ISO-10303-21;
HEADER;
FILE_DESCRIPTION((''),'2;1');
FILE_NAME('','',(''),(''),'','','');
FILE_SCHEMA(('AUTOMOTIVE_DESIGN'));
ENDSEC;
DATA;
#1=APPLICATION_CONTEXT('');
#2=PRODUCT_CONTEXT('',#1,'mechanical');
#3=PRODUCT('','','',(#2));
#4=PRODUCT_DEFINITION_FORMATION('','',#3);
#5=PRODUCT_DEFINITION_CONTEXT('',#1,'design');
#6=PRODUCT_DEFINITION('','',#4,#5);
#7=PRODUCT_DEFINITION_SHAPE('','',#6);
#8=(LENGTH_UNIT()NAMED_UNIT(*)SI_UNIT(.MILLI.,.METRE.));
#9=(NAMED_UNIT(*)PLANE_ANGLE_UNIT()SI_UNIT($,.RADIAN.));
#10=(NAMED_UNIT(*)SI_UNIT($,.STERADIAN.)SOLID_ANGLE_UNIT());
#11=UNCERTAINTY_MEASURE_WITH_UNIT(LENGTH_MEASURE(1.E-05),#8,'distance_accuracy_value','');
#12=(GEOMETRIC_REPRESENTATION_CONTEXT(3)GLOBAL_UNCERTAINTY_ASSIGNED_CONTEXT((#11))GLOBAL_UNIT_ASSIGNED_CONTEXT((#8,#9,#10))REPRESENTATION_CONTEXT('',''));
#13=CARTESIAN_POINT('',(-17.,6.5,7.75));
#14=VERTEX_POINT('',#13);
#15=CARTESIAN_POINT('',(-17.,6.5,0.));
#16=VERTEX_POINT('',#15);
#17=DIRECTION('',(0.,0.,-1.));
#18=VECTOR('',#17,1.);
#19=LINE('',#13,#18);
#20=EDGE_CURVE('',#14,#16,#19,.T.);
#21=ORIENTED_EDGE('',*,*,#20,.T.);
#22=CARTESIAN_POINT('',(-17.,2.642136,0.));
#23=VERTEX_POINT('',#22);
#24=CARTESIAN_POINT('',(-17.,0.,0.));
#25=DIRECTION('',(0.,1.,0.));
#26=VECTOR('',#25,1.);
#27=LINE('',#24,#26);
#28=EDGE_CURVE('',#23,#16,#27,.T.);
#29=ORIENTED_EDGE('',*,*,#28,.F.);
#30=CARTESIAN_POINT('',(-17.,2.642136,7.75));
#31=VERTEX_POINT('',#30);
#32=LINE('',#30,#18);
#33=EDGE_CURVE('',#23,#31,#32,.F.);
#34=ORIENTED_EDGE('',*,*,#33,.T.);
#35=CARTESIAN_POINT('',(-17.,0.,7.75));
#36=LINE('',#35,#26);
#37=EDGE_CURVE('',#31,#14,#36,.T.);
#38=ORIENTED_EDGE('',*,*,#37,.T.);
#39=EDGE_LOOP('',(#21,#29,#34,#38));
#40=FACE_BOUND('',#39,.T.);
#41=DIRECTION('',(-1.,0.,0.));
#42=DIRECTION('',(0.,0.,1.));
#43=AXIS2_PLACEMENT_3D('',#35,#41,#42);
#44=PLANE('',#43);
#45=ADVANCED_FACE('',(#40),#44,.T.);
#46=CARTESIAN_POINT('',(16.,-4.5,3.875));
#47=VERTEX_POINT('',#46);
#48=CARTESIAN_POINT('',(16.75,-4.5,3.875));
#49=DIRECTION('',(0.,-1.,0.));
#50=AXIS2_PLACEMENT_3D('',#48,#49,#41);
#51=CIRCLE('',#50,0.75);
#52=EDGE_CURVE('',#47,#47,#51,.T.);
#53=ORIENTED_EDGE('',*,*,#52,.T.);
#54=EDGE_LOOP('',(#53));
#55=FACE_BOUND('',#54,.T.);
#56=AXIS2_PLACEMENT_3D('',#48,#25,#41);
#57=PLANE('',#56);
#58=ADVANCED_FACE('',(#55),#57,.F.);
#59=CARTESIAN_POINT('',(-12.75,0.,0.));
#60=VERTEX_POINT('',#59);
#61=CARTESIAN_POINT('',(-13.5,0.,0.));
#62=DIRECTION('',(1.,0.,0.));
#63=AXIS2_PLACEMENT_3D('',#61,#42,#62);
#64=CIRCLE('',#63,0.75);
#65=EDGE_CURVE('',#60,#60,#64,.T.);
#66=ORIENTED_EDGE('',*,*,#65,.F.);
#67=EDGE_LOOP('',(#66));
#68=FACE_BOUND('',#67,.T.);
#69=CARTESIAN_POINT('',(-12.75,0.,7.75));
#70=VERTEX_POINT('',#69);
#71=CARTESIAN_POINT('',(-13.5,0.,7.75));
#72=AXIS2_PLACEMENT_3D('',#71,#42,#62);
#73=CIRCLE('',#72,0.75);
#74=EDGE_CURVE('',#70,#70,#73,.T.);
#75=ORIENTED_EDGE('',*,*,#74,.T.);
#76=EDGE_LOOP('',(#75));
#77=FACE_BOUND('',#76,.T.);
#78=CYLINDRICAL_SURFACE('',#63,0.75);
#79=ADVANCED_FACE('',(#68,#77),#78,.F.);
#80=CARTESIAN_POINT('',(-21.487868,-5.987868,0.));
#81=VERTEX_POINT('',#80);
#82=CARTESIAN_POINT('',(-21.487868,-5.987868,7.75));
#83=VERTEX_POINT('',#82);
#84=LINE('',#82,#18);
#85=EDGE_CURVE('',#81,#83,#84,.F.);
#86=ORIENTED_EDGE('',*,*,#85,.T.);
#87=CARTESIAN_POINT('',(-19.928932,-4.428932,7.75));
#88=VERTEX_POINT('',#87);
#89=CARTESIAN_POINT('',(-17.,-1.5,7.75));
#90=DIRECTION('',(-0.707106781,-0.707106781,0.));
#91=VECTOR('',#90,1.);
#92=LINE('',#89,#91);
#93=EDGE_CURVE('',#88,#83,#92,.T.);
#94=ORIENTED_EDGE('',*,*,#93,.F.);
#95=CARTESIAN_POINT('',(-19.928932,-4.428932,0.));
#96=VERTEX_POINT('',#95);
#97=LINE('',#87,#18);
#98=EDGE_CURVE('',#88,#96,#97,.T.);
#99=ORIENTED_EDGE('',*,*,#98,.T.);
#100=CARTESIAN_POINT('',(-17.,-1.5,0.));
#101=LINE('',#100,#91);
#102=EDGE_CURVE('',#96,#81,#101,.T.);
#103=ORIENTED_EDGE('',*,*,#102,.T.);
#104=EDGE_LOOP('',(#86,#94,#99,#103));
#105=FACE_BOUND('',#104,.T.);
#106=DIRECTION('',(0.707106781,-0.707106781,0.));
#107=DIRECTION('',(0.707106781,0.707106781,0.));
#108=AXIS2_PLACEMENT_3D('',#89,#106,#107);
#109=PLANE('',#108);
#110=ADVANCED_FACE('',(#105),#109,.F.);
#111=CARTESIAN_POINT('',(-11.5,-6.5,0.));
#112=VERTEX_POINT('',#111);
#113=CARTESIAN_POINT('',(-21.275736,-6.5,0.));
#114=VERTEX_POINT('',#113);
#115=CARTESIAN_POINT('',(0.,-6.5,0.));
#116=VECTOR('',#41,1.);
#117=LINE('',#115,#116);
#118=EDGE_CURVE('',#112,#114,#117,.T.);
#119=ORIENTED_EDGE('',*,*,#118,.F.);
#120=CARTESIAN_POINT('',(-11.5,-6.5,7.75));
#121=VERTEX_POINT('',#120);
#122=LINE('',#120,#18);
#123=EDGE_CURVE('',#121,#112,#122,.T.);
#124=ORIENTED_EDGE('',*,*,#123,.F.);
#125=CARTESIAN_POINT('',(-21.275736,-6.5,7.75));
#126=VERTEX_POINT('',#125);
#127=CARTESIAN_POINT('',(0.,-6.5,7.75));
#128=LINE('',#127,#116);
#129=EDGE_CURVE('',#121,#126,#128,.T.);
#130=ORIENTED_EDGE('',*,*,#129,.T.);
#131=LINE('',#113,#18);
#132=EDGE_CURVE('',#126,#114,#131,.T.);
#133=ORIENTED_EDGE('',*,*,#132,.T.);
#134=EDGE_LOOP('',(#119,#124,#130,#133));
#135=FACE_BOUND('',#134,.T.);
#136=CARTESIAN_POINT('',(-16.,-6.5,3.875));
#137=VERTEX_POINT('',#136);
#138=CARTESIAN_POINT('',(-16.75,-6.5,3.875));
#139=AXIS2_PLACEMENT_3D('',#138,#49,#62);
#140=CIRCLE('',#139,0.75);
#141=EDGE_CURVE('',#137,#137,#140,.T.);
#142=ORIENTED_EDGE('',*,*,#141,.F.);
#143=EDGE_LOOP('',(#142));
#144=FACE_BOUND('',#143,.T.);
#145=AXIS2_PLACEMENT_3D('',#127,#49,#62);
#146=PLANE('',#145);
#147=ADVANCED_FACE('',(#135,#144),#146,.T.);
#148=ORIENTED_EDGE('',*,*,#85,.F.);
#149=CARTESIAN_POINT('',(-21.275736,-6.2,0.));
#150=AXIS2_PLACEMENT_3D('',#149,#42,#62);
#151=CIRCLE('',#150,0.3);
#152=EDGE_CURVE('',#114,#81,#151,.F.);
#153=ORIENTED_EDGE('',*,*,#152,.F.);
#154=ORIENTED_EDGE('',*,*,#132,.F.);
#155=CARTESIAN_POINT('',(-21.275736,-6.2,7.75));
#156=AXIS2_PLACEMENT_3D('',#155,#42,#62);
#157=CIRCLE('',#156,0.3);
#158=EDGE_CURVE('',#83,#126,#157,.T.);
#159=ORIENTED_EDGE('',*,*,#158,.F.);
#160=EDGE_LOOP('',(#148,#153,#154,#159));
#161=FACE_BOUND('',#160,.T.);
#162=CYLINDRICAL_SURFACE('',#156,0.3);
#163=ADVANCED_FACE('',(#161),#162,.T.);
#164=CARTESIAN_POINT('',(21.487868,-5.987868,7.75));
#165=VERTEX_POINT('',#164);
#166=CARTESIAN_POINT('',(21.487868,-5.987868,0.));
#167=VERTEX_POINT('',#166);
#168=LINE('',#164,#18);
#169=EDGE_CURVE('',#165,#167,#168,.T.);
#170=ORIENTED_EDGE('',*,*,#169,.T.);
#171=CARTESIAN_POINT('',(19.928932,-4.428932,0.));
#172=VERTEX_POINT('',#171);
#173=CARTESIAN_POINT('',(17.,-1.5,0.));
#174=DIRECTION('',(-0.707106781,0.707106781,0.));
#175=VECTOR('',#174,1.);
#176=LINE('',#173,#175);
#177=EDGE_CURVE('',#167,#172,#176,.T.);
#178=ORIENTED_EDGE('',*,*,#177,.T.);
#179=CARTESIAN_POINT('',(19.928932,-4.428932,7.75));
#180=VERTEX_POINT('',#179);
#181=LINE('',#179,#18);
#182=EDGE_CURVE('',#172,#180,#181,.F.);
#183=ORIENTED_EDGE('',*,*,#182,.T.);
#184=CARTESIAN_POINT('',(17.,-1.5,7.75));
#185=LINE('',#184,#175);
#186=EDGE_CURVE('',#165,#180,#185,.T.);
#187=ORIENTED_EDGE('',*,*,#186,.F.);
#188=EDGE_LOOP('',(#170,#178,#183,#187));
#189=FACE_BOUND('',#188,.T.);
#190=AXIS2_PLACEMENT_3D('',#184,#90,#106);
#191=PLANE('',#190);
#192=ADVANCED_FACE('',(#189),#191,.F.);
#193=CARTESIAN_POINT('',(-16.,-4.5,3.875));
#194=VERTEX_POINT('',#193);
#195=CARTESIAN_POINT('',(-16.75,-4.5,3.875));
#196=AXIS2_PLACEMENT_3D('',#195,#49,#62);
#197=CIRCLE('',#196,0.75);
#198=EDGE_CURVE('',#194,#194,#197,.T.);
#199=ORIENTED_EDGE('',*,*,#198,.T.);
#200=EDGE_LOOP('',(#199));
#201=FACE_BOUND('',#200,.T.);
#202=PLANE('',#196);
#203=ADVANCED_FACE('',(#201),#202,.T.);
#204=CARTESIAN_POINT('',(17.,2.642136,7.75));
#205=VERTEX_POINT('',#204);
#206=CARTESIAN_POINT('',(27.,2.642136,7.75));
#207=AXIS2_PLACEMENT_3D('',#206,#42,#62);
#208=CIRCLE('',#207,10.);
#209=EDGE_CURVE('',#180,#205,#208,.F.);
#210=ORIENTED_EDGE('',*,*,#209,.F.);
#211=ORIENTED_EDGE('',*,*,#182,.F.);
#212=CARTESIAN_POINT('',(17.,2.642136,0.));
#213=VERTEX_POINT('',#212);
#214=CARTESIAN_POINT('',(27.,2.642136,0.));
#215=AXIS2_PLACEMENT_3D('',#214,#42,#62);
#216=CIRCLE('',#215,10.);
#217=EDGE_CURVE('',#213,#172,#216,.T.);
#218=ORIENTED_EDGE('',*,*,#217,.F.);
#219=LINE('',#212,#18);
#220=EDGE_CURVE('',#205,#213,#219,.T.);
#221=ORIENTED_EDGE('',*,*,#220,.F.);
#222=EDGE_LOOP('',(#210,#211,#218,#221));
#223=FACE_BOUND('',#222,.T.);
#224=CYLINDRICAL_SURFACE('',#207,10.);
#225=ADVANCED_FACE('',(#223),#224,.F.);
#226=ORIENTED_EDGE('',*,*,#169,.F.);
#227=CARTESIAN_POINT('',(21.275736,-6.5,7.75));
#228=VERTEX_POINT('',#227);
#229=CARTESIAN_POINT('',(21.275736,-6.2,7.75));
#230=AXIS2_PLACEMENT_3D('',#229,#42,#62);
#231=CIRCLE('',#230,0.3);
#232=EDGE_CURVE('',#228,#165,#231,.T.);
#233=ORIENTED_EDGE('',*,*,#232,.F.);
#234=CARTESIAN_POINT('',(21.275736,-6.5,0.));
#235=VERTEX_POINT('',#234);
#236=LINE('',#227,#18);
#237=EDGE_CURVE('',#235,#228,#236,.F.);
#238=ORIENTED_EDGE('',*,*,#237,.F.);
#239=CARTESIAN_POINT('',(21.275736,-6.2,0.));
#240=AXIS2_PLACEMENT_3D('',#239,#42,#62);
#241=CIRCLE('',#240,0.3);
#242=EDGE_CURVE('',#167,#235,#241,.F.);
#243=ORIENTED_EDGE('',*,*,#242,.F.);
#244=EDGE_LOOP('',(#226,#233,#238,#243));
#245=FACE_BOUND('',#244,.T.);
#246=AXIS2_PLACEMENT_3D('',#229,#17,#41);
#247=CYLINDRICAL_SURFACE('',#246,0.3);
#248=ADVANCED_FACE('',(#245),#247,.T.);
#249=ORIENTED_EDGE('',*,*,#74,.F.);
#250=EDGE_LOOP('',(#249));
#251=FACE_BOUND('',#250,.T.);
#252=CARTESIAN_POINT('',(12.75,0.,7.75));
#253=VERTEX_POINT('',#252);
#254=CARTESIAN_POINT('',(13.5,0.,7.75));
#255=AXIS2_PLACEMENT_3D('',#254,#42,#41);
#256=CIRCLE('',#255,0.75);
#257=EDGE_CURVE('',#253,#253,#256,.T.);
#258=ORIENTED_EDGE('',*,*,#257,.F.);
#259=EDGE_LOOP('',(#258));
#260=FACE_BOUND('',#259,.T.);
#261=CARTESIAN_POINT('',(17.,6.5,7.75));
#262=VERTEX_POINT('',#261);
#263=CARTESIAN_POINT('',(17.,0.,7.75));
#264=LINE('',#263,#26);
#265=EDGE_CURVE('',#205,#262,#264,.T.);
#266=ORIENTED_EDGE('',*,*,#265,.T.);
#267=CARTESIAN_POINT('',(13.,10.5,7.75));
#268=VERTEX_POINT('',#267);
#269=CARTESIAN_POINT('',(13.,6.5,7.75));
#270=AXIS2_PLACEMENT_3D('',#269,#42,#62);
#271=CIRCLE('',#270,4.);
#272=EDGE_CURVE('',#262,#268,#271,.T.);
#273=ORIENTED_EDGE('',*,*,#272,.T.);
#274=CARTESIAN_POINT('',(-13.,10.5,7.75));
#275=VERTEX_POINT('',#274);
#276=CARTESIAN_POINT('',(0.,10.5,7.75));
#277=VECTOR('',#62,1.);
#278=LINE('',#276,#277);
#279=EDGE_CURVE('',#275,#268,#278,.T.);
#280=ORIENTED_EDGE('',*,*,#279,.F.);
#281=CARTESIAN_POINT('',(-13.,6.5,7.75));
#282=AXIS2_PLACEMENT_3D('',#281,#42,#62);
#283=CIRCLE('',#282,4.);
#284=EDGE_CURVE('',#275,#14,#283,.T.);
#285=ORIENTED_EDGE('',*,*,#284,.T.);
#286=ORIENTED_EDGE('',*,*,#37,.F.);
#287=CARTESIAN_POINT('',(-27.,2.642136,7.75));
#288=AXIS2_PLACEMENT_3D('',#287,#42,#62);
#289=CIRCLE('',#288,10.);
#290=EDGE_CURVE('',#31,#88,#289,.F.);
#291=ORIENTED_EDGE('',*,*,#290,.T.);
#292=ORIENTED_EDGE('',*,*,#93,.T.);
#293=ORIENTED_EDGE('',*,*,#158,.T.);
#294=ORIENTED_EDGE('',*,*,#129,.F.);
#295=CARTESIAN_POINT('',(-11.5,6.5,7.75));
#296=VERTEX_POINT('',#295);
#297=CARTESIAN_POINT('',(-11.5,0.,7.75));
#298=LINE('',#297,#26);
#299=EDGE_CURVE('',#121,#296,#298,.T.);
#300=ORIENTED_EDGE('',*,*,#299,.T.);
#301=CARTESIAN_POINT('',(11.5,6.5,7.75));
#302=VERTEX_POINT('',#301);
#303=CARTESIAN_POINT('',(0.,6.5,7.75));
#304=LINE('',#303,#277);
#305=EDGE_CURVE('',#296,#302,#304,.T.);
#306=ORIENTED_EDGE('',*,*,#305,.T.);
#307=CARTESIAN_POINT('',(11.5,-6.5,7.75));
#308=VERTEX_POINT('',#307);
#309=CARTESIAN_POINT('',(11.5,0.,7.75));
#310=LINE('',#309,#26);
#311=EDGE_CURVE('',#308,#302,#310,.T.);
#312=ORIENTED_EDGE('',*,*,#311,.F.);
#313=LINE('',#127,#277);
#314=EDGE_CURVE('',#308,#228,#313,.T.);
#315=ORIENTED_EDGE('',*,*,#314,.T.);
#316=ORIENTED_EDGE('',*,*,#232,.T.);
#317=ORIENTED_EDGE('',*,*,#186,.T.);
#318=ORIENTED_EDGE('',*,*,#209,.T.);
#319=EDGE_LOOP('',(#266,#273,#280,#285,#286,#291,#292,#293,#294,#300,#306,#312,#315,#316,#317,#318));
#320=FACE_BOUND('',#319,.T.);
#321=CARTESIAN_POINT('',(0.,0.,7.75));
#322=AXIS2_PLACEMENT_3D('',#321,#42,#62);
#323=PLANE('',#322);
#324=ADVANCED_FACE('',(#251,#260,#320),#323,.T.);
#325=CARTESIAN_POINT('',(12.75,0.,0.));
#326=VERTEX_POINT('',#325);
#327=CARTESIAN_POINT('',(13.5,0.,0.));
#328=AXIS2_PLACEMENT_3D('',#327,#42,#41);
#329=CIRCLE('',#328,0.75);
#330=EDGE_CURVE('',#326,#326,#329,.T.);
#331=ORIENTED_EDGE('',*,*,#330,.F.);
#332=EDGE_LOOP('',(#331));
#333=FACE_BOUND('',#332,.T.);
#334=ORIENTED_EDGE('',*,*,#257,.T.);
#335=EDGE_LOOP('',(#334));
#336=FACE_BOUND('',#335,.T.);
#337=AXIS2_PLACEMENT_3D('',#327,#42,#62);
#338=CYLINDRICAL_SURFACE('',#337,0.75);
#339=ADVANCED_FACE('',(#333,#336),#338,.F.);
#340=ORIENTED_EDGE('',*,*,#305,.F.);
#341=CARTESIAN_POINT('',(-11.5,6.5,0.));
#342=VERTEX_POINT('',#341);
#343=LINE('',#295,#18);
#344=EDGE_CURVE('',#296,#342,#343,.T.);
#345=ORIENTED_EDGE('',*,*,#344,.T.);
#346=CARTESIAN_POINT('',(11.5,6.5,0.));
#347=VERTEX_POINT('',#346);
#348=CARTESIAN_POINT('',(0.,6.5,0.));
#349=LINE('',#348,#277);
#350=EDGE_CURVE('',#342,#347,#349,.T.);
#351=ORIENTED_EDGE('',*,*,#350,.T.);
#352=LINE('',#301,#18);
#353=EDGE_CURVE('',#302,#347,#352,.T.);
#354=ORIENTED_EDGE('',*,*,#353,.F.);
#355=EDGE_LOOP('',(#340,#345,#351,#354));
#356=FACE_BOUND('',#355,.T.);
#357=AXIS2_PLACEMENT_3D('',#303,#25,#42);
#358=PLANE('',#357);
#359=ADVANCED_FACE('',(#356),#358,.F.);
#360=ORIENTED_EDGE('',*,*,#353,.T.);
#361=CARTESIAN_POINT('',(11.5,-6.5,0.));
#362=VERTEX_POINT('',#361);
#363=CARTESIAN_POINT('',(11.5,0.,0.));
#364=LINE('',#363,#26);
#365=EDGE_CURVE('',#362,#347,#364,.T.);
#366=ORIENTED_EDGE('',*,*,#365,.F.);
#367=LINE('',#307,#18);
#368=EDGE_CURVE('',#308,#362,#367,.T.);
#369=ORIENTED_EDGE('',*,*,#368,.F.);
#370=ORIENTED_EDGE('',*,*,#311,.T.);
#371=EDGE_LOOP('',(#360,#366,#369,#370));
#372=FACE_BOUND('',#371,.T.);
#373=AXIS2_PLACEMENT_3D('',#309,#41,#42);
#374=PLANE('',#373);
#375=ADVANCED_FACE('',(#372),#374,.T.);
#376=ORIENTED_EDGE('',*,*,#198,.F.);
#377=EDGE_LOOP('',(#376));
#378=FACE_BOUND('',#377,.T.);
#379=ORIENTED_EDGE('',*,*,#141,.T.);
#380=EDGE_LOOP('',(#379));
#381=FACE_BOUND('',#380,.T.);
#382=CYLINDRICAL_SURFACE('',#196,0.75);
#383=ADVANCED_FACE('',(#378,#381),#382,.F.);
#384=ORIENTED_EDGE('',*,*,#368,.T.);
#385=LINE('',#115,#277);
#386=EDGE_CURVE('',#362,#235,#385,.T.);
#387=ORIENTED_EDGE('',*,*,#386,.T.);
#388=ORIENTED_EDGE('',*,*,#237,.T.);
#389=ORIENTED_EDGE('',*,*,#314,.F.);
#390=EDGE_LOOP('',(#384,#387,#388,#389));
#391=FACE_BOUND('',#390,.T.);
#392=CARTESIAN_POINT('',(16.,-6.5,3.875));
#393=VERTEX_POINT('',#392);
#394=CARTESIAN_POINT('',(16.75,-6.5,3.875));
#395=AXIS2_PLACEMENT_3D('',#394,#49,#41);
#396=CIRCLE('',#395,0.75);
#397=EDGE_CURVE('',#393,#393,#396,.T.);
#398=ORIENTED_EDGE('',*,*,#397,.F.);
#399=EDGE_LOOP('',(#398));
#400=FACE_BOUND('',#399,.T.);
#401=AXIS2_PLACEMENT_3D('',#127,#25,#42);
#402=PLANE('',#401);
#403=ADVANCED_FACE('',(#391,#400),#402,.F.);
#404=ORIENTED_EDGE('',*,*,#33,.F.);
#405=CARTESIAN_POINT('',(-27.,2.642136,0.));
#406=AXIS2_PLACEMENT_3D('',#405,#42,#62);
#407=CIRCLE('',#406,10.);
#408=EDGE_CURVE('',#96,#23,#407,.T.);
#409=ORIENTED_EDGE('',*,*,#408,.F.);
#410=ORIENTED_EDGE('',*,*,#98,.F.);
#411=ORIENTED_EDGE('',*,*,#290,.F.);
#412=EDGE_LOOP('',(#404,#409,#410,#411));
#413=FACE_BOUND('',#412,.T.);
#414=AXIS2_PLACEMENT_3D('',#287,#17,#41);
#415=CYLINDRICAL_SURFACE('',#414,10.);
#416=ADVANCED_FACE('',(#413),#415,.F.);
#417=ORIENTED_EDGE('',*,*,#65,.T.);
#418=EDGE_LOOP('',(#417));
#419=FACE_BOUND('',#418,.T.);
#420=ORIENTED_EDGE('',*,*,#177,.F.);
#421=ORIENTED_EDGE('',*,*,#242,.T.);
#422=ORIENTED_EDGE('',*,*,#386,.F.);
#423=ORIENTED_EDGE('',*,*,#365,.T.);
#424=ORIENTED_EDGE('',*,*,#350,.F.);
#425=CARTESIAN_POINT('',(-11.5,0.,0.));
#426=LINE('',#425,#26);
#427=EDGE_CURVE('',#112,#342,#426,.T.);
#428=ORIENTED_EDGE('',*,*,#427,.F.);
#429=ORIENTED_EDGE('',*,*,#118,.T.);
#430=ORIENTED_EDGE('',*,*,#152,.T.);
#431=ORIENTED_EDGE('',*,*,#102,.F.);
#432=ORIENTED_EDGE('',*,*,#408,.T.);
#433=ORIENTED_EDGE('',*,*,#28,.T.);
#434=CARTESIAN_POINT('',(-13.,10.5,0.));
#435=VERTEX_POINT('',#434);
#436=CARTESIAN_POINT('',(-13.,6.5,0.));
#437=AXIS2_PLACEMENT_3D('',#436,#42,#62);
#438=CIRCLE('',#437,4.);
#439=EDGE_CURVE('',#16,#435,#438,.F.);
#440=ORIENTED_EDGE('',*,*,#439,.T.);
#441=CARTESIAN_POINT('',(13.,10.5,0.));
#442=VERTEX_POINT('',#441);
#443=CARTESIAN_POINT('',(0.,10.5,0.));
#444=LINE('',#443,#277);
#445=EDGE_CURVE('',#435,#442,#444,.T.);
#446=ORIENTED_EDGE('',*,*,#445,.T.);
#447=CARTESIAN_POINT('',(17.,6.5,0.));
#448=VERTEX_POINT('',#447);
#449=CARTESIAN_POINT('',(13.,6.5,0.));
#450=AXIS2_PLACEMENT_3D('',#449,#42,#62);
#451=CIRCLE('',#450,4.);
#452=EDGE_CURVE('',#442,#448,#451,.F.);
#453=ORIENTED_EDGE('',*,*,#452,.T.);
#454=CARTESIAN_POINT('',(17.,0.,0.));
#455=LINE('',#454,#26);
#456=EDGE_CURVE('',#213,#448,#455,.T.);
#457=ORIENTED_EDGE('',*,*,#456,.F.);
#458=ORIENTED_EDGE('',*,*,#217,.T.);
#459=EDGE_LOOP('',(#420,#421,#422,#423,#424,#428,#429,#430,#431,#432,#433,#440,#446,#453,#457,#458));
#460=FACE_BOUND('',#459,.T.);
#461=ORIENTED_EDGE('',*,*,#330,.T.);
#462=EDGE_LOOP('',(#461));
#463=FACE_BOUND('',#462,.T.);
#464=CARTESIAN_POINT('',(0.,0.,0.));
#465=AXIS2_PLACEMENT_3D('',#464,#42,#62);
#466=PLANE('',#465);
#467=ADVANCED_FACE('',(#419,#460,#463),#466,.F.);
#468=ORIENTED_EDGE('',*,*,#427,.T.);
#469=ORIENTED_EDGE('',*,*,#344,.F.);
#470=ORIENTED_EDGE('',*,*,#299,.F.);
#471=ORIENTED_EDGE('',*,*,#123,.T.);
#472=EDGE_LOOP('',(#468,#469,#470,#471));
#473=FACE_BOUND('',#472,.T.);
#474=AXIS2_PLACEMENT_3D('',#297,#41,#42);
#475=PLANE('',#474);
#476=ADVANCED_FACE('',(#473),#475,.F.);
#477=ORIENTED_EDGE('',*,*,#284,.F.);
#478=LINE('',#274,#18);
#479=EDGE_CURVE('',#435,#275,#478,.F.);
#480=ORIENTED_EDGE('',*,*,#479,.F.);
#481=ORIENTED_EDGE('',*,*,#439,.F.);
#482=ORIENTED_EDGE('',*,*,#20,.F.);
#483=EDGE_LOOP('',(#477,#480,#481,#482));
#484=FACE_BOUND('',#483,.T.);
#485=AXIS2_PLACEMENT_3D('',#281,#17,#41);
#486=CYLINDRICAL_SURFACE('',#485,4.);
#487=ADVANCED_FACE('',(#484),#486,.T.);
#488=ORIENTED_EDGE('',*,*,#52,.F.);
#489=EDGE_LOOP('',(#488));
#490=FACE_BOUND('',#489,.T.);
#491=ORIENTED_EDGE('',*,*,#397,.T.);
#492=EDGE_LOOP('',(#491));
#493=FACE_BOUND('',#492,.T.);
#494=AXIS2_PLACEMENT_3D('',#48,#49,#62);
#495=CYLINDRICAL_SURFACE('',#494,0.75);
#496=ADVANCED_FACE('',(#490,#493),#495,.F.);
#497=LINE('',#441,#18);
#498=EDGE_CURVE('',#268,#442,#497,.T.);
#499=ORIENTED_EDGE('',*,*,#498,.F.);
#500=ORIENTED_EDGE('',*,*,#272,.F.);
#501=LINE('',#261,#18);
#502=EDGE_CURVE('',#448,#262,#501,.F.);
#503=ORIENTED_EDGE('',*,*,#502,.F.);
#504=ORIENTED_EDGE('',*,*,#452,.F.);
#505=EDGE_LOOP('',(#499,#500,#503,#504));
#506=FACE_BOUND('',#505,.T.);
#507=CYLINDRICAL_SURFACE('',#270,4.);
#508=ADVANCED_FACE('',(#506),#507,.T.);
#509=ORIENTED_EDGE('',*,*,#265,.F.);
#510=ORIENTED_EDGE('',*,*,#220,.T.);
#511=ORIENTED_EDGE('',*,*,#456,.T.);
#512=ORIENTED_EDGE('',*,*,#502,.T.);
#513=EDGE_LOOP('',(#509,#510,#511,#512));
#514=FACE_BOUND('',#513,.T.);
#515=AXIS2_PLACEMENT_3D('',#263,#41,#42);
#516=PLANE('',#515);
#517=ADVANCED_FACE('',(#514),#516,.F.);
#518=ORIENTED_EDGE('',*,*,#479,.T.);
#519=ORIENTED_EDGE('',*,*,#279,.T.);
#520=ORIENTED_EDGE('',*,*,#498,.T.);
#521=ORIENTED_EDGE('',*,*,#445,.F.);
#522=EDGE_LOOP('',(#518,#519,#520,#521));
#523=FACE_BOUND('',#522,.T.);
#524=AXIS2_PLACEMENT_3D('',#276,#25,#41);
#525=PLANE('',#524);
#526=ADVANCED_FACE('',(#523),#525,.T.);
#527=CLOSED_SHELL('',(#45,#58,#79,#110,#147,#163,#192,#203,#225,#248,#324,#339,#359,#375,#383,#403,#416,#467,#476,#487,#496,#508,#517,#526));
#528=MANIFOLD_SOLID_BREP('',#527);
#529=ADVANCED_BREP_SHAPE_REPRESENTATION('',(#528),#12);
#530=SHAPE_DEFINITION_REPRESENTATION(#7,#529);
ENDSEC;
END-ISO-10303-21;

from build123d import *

# Parameters (mm, degrees)
BOSS_EXTRUDE1_DEPTH = 7.75
SKETCH2_R           = 0.75
CUT_EXTRUDE1_DEPTH  = 22.43157717
BOSS_EXTRUDE2_DEPTH = 7.75
SKETCH4_R           = 0.75
CUT_EXTRUDE2_DEPTH  = 2
FILLET1_R           = 10
FILLET2_R           = 4
FILLET3_R           = 0.3


with BuildPart() as part:
    # Sketch1 → Boss-Extrude1 (new body)
    with BuildSketch(Plane.XY):
        Polygon((11.5, -6.5), (17, -6.5), (17, 10.5), (-17, 10.5), (-17, -6.5), (-11.5, -6.5), (-11.5, 6.5), (11.5, 6.5), align=None)
    extrude(amount=BOSS_EXTRUDE1_DEPTH)

    # Sketch2 → Cut-Extrude1 (cut, through all)
    with BuildSketch(Plane.XY.offset(7.75)):
        with Locations((-13.5, 0)):
            Circle(SKETCH2_R)
        with Locations(Location((13.5, 0, 0), (0, 0, 180))):
            Circle(SKETCH2_R)
    extrude(amount=-CUT_EXTRUDE1_DEPTH, mode=Mode.SUBTRACT)

    # Sketch3 → Boss-Extrude2 (add)
    with BuildSketch(Plane.XY):
        Polygon((-17, -1.5), (-22, -6.5), (-17, -6.5), align=None)
        Polygon((17, -1.5), (22, -6.5), (17, -6.5), align=None)
    extrude(amount=BOSS_EXTRUDE2_DEPTH)

    # Sketch4 → Cut-Extrude2 (cut)
    with BuildSketch(Plane.XZ.offset(6.5)):
        with Locations((-16.75, 3.875)):
            Circle(SKETCH4_R)
        with Locations(Location((16.75, 3.875, 0), (0, 0, 180))):
            Circle(SKETCH4_R)
    extrude(amount=-CUT_EXTRUDE2_DEPTH, mode=Mode.SUBTRACT)

    # Fillet1
    fillet1_edges = [part.edges().sort_by_distance(p)[0] for p in [
        (-17, -1.5, 3.875),
        (17, -1.5, 3.875),
    ]]
    fillet(fillet1_edges, radius=FILLET1_R)

    # Fillet2
    fillet2_edges = [part.edges().sort_by_distance(p)[0] for p in [
        (-17, 10.5, 3.875),
        (17, 10.5, 3.875),
    ]]
    fillet(fillet2_edges, radius=FILLET2_R)

    # Fillet3
    fillet3_edges = [part.edges().sort_by_distance(p)[0] for p in [
        (-22, -6.5, 3.875),
        (22, -6.5, 3.875),
    ]]
    fillet(fillet3_edges, radius=FILLET3_R)


solid = part.part
